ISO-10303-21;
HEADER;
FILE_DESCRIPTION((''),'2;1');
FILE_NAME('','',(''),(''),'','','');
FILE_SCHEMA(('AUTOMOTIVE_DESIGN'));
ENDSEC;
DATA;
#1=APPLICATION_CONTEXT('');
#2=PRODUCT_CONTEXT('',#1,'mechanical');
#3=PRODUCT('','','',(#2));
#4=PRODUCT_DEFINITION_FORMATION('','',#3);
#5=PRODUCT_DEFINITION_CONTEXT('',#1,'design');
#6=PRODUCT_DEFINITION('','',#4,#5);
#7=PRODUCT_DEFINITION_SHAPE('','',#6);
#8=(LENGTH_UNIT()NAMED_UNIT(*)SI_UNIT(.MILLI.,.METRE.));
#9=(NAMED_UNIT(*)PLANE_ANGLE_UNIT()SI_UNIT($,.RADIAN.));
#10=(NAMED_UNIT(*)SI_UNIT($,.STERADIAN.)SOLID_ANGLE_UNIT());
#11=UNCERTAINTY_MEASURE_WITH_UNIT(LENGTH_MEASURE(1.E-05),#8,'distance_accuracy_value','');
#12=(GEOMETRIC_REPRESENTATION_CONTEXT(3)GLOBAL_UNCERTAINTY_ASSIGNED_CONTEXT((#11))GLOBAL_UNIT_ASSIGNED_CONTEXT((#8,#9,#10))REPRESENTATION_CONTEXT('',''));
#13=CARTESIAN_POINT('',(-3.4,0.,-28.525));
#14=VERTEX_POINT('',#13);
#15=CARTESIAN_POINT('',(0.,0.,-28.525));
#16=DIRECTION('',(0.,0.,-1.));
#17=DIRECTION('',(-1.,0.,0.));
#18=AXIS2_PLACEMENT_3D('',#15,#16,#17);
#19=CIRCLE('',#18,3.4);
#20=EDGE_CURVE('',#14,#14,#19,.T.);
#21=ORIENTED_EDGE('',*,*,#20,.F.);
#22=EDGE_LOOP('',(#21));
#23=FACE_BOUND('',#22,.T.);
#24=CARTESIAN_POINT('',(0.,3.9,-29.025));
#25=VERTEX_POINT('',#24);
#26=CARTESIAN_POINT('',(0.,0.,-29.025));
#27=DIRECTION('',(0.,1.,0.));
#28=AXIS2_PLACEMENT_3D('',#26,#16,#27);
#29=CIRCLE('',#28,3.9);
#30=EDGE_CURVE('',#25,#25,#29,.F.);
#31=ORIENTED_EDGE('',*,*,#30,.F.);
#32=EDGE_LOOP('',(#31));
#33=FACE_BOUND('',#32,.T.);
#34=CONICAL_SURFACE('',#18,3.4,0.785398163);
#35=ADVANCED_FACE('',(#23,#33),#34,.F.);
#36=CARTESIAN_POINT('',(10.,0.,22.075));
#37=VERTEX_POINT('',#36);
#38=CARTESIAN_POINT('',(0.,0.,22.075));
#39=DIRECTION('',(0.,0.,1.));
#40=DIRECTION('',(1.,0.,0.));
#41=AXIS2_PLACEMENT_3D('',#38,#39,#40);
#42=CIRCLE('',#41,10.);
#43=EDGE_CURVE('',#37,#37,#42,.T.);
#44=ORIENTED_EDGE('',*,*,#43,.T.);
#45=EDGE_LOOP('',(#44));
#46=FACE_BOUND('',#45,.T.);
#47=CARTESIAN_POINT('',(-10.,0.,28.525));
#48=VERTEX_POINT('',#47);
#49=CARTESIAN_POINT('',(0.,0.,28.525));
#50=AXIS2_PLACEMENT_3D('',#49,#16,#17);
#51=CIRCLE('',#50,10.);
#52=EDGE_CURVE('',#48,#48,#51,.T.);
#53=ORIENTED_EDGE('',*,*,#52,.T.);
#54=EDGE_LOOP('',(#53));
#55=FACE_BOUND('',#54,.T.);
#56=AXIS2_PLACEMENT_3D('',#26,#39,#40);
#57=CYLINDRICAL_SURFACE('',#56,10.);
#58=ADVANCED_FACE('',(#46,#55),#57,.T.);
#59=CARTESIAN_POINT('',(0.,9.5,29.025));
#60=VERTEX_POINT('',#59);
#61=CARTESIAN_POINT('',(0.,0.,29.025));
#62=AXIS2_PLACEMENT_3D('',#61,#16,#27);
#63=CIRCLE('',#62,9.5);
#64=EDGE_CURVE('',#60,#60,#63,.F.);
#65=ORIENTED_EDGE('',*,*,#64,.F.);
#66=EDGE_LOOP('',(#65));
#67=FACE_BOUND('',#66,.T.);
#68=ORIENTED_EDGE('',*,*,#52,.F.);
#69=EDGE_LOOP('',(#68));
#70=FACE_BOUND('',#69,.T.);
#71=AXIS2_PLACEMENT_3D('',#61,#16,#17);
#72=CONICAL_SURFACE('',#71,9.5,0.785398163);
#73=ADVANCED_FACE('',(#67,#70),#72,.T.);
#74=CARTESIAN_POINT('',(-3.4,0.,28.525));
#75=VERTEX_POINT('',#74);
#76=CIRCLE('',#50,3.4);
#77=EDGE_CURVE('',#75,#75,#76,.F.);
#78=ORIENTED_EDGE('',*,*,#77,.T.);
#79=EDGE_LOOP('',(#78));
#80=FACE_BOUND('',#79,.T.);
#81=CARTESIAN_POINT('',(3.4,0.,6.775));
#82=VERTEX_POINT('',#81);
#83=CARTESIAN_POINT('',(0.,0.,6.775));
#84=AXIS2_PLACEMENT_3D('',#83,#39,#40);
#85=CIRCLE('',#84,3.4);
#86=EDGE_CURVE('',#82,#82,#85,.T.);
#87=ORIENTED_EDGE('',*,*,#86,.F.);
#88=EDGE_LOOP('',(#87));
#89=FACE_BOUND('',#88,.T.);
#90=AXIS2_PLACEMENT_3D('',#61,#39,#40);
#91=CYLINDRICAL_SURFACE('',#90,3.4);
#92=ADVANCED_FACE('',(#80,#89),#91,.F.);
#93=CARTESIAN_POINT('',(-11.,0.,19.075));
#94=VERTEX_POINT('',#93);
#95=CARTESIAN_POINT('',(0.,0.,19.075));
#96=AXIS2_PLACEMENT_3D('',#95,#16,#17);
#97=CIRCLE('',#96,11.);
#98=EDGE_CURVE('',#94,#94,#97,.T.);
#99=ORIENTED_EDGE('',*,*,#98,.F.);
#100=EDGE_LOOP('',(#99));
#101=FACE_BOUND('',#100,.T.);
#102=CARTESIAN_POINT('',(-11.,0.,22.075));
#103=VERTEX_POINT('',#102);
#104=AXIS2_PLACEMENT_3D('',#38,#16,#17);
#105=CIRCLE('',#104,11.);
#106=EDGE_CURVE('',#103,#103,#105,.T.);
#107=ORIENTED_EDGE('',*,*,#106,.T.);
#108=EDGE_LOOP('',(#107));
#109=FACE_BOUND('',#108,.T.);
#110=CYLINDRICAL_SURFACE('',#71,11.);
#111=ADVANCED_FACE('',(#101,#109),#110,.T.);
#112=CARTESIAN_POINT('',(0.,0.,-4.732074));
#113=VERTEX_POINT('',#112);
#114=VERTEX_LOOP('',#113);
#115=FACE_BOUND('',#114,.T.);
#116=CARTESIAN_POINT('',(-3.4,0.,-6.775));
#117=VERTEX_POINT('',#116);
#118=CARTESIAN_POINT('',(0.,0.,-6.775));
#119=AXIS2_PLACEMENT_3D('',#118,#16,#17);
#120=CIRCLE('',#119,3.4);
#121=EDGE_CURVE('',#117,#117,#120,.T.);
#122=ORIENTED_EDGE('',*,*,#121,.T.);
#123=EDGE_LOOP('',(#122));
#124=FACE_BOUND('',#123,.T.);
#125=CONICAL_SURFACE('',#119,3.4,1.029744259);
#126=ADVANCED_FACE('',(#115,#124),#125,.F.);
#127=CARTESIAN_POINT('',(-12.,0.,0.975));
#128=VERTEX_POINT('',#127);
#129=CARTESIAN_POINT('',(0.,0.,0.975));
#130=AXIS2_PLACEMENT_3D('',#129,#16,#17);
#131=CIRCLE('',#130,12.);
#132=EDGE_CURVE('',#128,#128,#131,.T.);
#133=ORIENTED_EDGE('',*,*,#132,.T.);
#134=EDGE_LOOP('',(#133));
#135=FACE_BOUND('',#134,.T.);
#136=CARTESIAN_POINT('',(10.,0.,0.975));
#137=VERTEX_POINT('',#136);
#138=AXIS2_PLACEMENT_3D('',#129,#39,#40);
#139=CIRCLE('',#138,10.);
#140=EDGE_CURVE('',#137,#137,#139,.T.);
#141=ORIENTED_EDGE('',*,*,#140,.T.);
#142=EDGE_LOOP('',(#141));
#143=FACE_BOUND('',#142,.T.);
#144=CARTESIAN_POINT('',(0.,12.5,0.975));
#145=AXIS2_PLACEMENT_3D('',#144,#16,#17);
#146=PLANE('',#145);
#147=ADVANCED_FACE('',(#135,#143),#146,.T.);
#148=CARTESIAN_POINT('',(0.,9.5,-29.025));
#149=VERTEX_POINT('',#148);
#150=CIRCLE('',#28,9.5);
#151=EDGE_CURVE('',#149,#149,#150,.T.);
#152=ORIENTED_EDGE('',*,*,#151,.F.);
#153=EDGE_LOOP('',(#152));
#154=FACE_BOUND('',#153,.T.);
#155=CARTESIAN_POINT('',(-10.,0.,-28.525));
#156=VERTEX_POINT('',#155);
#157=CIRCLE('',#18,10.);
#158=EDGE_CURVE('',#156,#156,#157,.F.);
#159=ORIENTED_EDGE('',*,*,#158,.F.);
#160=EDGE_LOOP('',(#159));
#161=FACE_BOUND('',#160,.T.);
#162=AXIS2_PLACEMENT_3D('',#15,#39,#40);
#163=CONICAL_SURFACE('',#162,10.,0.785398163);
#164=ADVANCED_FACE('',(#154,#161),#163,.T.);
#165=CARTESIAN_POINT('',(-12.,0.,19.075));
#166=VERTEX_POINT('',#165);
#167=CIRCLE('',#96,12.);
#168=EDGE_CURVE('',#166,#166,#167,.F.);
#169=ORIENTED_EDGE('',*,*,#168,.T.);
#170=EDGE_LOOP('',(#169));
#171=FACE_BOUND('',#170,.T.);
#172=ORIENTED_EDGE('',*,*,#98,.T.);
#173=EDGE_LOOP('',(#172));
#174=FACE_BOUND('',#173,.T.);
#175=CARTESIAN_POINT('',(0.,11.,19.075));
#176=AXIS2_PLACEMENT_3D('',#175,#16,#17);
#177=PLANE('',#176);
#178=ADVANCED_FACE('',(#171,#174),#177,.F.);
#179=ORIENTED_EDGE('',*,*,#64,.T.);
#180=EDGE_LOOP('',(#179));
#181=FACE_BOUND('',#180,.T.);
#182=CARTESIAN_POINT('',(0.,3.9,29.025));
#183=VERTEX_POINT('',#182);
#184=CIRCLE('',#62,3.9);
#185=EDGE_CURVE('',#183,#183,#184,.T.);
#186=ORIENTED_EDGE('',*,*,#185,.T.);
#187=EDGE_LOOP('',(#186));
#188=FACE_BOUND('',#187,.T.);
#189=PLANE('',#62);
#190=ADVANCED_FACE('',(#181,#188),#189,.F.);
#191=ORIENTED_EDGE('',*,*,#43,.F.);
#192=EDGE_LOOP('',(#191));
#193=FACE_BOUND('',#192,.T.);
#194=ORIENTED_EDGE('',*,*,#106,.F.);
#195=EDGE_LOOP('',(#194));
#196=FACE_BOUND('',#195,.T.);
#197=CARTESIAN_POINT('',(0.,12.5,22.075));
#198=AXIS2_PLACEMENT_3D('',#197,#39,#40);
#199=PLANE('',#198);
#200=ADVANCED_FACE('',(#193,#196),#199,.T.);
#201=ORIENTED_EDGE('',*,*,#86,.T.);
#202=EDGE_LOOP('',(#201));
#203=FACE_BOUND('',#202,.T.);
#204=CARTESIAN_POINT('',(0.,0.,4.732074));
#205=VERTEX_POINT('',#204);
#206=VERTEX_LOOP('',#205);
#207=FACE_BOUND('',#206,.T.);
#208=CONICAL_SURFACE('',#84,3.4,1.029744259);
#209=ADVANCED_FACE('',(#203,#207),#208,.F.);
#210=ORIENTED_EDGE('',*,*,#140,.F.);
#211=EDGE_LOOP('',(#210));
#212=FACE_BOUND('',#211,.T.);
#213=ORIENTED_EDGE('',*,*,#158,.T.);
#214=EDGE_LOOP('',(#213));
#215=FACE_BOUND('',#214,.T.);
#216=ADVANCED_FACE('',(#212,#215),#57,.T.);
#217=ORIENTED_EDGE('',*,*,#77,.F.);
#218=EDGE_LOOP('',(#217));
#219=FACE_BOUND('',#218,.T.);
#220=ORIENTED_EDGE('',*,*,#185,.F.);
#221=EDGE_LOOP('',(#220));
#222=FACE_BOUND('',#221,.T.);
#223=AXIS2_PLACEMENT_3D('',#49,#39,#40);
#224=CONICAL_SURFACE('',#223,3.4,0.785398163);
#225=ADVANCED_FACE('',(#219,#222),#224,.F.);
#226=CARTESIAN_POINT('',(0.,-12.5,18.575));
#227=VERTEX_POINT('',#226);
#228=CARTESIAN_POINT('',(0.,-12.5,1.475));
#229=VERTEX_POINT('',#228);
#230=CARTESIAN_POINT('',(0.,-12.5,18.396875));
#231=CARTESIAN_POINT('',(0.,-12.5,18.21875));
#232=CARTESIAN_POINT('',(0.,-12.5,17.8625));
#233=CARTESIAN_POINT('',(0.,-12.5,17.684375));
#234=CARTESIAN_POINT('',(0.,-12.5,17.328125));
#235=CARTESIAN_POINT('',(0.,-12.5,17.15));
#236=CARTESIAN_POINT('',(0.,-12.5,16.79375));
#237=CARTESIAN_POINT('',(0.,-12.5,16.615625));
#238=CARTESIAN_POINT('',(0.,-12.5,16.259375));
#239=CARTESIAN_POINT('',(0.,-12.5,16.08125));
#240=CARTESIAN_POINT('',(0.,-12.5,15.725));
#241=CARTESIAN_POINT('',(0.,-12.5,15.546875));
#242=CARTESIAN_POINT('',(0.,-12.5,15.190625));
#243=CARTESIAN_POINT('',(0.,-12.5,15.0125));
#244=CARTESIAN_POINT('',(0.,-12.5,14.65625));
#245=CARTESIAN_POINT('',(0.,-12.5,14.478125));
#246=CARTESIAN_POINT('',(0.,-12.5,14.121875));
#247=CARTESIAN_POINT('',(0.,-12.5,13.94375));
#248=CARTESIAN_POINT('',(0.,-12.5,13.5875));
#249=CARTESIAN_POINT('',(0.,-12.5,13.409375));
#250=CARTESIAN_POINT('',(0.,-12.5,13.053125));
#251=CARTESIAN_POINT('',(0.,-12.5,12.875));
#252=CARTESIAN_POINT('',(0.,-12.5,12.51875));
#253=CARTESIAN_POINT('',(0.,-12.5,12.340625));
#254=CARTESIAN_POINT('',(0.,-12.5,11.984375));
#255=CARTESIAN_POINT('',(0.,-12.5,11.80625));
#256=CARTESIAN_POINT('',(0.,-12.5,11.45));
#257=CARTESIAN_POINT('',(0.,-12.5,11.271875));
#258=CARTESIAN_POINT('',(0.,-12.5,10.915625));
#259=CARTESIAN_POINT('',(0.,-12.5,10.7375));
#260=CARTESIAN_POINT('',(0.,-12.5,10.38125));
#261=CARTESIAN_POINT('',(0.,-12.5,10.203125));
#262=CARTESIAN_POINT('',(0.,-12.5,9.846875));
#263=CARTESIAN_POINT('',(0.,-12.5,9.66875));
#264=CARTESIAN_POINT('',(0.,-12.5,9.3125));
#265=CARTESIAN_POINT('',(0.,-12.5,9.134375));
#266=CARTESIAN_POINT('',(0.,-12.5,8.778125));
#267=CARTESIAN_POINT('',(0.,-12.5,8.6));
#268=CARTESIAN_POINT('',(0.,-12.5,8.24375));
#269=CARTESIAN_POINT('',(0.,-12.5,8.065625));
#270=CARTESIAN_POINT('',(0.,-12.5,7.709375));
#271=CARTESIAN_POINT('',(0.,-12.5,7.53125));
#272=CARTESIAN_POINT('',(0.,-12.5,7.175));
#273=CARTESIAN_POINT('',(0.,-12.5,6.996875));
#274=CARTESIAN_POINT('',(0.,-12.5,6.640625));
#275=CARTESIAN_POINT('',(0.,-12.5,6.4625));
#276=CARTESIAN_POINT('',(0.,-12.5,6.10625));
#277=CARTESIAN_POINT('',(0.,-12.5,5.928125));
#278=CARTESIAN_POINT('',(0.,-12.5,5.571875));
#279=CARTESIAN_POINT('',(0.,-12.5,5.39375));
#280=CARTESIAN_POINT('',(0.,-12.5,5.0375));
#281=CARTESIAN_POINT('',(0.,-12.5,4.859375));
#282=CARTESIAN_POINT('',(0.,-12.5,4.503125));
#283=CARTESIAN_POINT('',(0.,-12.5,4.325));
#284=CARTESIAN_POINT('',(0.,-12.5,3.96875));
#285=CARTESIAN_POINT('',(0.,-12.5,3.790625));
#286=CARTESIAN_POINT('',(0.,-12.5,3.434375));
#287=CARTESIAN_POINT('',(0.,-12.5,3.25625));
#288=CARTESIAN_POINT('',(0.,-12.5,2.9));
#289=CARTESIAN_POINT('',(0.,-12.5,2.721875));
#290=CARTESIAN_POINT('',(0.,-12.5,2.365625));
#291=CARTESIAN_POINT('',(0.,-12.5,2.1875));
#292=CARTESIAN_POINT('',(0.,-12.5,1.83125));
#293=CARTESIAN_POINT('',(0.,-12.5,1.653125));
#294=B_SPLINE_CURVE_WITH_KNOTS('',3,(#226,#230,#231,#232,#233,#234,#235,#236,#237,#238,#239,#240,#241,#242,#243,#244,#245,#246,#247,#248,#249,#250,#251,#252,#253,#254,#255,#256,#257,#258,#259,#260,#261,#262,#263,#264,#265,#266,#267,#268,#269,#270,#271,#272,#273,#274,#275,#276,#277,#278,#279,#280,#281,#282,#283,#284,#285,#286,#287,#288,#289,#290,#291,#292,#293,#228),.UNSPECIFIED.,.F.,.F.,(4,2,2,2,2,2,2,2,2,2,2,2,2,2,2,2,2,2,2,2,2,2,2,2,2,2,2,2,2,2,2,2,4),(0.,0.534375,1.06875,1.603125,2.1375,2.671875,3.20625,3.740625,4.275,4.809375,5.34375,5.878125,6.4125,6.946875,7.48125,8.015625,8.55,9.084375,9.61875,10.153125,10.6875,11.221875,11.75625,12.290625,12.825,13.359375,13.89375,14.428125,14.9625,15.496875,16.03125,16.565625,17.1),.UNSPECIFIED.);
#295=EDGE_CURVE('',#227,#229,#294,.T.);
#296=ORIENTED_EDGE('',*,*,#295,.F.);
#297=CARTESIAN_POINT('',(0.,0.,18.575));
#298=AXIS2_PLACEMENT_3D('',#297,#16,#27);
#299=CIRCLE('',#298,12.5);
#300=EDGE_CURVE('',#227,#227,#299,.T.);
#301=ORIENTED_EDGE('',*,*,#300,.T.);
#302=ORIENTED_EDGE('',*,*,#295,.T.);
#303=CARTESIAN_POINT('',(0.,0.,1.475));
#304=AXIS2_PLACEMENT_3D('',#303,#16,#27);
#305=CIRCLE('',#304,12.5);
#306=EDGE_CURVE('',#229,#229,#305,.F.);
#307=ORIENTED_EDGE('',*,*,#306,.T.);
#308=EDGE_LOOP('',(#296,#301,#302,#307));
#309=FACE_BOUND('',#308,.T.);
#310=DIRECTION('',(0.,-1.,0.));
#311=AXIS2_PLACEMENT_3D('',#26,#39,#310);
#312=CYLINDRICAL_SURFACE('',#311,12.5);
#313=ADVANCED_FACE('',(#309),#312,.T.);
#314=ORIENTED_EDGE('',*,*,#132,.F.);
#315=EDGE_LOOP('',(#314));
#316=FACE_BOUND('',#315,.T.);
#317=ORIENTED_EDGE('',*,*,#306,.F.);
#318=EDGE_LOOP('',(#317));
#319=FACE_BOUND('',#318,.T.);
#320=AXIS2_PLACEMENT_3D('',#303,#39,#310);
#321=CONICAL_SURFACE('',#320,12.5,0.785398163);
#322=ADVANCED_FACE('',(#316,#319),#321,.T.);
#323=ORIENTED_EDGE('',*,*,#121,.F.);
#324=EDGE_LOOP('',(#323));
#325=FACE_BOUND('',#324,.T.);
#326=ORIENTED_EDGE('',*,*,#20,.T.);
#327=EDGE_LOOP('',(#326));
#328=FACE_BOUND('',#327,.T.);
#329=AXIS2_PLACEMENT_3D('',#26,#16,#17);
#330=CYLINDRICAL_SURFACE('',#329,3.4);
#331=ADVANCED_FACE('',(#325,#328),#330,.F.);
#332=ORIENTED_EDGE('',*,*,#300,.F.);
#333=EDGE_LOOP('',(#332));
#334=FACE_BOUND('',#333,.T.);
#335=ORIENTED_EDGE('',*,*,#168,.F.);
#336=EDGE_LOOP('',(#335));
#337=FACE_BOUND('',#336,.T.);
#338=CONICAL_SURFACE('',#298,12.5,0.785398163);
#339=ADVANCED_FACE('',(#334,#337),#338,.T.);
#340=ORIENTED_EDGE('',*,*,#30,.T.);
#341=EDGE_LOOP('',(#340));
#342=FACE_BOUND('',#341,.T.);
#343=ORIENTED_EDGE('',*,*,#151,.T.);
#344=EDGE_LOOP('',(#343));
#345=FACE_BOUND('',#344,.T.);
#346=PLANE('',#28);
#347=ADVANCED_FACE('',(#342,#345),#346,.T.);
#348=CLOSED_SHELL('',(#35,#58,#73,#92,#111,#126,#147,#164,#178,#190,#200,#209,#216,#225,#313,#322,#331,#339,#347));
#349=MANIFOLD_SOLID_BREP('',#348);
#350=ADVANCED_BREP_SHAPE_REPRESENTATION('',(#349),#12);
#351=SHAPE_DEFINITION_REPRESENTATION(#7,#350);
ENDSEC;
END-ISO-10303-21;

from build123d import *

# Parameters (mm, degrees)
SKETCH1_R                     = 12.5
MIL_CONFIGURED_CAP_25_1_DEPTH = 58.05
IZIM3_W                       = 30
IZIM3_H                       = 2.5
IZIM3_W_2                     = 6.95
PAH1_SIZE                     = 0.5
PAH2_SIZE                     = 1.5
IZIM6_W                       = 3
IZIM6_H                       = 1.5
PAH3_SIZE                     = 0.5


with BuildPart() as part:
    # Sketch1 → Mil - configured CAP=25(1) (new body)
    with BuildSketch(Plane.YX.offset(-29.025)):
        Circle(SKETCH1_R)
    extrude(amount=MIL_CONFIGURED_CAP_25_1_DEPTH)

    # Çizim3 → Kes-Döndür1 (revolve, cut)
    with BuildSketch(Plane(origin=(0, 0, 0), x_dir=(0, 0, -1), z_dir=(1, 0, 0)), mode=Mode.PRIVATE) as kes_d_nd_r1_sk:
        with Locations((14.025, 11.25)):
            Rectangle(IZIM3_W, IZIM3_H)
        with Locations((-25.55, 11.25)):
            Rectangle(IZIM3_W_2, IZIM3_H)
    revolve(kes_d_nd_r1_sk.sketch.rotate(Axis((0, 0, -29.025), (0, 0, -1)), 90), axis=Axis((0, 0, -29.025), (0, 0, -1)), mode=Mode.SUBTRACT)

    # Çizim4 → M8 Dişli Delik1 (revolve, cut)
    with BuildSketch(Plane(origin=(0, 0, 29.025), x_dir=(0, -1, 0), z_dir=(1, 0, 0))):
        Polygon((0, 0), (0, 24.292926105), (3.4, 22.25), (3.4, 0), align=None)
    m8_di_li_delik1 = revolve(axis=Axis((0, 0, 35.375), (0, 0, -1)), mode=Mode.SUBTRACT)

    # Aynalama1: M8 Dişli Delik1 across plane
    add(m8_di_li_delik1.mirror(Plane.XY), mode=Mode.SUBTRACT)

    # Pah1
    pah1_edges = [part.edges().sort_by_distance(p)[0] for p in [
        (-10, 0, 29.025),
        (0, 3.4, 29.025),
        (0, 3.4, -29.025),
        (-10, 0, -29.025),
        (0, -12.5, 0.975),
    ]]
    chamfer(pah1_edges, length=PAH1_SIZE)

    # Pah2
    pah2_edges = [part.edges().sort_by_distance(p)[0] for p in [
        (0, -12.5, 22.075),
    ]]
    chamfer(pah2_edges, length=PAH2_SIZE)

    # Çizim6 → Kes-Döndür2 (revolve, cut)
    with BuildSketch(Plane(origin=(0, 0, 0), x_dir=(0, 0, -1), z_dir=(1, 0, 0)), mode=Mode.PRIVATE) as kes_d_nd_r2_sk:
        with Locations((-20.575, 11.75)):
            Rectangle(IZIM6_W, IZIM6_H)
    revolve(kes_d_nd_r2_sk.sketch.rotate(Axis((0, 0, 29.025), (0, 0, 1)), 180), axis=Axis((0, 0, 29.025), (0, 0, 1)), mode=Mode.SUBTRACT)

    # Pah3
    pah3_edges = [part.edges().sort_by_distance(p)[0] for p in [
        (0, -12.5, 19.075),
    ]]
    chamfer(pah3_edges, length=PAH3_SIZE)


solid = part.part
